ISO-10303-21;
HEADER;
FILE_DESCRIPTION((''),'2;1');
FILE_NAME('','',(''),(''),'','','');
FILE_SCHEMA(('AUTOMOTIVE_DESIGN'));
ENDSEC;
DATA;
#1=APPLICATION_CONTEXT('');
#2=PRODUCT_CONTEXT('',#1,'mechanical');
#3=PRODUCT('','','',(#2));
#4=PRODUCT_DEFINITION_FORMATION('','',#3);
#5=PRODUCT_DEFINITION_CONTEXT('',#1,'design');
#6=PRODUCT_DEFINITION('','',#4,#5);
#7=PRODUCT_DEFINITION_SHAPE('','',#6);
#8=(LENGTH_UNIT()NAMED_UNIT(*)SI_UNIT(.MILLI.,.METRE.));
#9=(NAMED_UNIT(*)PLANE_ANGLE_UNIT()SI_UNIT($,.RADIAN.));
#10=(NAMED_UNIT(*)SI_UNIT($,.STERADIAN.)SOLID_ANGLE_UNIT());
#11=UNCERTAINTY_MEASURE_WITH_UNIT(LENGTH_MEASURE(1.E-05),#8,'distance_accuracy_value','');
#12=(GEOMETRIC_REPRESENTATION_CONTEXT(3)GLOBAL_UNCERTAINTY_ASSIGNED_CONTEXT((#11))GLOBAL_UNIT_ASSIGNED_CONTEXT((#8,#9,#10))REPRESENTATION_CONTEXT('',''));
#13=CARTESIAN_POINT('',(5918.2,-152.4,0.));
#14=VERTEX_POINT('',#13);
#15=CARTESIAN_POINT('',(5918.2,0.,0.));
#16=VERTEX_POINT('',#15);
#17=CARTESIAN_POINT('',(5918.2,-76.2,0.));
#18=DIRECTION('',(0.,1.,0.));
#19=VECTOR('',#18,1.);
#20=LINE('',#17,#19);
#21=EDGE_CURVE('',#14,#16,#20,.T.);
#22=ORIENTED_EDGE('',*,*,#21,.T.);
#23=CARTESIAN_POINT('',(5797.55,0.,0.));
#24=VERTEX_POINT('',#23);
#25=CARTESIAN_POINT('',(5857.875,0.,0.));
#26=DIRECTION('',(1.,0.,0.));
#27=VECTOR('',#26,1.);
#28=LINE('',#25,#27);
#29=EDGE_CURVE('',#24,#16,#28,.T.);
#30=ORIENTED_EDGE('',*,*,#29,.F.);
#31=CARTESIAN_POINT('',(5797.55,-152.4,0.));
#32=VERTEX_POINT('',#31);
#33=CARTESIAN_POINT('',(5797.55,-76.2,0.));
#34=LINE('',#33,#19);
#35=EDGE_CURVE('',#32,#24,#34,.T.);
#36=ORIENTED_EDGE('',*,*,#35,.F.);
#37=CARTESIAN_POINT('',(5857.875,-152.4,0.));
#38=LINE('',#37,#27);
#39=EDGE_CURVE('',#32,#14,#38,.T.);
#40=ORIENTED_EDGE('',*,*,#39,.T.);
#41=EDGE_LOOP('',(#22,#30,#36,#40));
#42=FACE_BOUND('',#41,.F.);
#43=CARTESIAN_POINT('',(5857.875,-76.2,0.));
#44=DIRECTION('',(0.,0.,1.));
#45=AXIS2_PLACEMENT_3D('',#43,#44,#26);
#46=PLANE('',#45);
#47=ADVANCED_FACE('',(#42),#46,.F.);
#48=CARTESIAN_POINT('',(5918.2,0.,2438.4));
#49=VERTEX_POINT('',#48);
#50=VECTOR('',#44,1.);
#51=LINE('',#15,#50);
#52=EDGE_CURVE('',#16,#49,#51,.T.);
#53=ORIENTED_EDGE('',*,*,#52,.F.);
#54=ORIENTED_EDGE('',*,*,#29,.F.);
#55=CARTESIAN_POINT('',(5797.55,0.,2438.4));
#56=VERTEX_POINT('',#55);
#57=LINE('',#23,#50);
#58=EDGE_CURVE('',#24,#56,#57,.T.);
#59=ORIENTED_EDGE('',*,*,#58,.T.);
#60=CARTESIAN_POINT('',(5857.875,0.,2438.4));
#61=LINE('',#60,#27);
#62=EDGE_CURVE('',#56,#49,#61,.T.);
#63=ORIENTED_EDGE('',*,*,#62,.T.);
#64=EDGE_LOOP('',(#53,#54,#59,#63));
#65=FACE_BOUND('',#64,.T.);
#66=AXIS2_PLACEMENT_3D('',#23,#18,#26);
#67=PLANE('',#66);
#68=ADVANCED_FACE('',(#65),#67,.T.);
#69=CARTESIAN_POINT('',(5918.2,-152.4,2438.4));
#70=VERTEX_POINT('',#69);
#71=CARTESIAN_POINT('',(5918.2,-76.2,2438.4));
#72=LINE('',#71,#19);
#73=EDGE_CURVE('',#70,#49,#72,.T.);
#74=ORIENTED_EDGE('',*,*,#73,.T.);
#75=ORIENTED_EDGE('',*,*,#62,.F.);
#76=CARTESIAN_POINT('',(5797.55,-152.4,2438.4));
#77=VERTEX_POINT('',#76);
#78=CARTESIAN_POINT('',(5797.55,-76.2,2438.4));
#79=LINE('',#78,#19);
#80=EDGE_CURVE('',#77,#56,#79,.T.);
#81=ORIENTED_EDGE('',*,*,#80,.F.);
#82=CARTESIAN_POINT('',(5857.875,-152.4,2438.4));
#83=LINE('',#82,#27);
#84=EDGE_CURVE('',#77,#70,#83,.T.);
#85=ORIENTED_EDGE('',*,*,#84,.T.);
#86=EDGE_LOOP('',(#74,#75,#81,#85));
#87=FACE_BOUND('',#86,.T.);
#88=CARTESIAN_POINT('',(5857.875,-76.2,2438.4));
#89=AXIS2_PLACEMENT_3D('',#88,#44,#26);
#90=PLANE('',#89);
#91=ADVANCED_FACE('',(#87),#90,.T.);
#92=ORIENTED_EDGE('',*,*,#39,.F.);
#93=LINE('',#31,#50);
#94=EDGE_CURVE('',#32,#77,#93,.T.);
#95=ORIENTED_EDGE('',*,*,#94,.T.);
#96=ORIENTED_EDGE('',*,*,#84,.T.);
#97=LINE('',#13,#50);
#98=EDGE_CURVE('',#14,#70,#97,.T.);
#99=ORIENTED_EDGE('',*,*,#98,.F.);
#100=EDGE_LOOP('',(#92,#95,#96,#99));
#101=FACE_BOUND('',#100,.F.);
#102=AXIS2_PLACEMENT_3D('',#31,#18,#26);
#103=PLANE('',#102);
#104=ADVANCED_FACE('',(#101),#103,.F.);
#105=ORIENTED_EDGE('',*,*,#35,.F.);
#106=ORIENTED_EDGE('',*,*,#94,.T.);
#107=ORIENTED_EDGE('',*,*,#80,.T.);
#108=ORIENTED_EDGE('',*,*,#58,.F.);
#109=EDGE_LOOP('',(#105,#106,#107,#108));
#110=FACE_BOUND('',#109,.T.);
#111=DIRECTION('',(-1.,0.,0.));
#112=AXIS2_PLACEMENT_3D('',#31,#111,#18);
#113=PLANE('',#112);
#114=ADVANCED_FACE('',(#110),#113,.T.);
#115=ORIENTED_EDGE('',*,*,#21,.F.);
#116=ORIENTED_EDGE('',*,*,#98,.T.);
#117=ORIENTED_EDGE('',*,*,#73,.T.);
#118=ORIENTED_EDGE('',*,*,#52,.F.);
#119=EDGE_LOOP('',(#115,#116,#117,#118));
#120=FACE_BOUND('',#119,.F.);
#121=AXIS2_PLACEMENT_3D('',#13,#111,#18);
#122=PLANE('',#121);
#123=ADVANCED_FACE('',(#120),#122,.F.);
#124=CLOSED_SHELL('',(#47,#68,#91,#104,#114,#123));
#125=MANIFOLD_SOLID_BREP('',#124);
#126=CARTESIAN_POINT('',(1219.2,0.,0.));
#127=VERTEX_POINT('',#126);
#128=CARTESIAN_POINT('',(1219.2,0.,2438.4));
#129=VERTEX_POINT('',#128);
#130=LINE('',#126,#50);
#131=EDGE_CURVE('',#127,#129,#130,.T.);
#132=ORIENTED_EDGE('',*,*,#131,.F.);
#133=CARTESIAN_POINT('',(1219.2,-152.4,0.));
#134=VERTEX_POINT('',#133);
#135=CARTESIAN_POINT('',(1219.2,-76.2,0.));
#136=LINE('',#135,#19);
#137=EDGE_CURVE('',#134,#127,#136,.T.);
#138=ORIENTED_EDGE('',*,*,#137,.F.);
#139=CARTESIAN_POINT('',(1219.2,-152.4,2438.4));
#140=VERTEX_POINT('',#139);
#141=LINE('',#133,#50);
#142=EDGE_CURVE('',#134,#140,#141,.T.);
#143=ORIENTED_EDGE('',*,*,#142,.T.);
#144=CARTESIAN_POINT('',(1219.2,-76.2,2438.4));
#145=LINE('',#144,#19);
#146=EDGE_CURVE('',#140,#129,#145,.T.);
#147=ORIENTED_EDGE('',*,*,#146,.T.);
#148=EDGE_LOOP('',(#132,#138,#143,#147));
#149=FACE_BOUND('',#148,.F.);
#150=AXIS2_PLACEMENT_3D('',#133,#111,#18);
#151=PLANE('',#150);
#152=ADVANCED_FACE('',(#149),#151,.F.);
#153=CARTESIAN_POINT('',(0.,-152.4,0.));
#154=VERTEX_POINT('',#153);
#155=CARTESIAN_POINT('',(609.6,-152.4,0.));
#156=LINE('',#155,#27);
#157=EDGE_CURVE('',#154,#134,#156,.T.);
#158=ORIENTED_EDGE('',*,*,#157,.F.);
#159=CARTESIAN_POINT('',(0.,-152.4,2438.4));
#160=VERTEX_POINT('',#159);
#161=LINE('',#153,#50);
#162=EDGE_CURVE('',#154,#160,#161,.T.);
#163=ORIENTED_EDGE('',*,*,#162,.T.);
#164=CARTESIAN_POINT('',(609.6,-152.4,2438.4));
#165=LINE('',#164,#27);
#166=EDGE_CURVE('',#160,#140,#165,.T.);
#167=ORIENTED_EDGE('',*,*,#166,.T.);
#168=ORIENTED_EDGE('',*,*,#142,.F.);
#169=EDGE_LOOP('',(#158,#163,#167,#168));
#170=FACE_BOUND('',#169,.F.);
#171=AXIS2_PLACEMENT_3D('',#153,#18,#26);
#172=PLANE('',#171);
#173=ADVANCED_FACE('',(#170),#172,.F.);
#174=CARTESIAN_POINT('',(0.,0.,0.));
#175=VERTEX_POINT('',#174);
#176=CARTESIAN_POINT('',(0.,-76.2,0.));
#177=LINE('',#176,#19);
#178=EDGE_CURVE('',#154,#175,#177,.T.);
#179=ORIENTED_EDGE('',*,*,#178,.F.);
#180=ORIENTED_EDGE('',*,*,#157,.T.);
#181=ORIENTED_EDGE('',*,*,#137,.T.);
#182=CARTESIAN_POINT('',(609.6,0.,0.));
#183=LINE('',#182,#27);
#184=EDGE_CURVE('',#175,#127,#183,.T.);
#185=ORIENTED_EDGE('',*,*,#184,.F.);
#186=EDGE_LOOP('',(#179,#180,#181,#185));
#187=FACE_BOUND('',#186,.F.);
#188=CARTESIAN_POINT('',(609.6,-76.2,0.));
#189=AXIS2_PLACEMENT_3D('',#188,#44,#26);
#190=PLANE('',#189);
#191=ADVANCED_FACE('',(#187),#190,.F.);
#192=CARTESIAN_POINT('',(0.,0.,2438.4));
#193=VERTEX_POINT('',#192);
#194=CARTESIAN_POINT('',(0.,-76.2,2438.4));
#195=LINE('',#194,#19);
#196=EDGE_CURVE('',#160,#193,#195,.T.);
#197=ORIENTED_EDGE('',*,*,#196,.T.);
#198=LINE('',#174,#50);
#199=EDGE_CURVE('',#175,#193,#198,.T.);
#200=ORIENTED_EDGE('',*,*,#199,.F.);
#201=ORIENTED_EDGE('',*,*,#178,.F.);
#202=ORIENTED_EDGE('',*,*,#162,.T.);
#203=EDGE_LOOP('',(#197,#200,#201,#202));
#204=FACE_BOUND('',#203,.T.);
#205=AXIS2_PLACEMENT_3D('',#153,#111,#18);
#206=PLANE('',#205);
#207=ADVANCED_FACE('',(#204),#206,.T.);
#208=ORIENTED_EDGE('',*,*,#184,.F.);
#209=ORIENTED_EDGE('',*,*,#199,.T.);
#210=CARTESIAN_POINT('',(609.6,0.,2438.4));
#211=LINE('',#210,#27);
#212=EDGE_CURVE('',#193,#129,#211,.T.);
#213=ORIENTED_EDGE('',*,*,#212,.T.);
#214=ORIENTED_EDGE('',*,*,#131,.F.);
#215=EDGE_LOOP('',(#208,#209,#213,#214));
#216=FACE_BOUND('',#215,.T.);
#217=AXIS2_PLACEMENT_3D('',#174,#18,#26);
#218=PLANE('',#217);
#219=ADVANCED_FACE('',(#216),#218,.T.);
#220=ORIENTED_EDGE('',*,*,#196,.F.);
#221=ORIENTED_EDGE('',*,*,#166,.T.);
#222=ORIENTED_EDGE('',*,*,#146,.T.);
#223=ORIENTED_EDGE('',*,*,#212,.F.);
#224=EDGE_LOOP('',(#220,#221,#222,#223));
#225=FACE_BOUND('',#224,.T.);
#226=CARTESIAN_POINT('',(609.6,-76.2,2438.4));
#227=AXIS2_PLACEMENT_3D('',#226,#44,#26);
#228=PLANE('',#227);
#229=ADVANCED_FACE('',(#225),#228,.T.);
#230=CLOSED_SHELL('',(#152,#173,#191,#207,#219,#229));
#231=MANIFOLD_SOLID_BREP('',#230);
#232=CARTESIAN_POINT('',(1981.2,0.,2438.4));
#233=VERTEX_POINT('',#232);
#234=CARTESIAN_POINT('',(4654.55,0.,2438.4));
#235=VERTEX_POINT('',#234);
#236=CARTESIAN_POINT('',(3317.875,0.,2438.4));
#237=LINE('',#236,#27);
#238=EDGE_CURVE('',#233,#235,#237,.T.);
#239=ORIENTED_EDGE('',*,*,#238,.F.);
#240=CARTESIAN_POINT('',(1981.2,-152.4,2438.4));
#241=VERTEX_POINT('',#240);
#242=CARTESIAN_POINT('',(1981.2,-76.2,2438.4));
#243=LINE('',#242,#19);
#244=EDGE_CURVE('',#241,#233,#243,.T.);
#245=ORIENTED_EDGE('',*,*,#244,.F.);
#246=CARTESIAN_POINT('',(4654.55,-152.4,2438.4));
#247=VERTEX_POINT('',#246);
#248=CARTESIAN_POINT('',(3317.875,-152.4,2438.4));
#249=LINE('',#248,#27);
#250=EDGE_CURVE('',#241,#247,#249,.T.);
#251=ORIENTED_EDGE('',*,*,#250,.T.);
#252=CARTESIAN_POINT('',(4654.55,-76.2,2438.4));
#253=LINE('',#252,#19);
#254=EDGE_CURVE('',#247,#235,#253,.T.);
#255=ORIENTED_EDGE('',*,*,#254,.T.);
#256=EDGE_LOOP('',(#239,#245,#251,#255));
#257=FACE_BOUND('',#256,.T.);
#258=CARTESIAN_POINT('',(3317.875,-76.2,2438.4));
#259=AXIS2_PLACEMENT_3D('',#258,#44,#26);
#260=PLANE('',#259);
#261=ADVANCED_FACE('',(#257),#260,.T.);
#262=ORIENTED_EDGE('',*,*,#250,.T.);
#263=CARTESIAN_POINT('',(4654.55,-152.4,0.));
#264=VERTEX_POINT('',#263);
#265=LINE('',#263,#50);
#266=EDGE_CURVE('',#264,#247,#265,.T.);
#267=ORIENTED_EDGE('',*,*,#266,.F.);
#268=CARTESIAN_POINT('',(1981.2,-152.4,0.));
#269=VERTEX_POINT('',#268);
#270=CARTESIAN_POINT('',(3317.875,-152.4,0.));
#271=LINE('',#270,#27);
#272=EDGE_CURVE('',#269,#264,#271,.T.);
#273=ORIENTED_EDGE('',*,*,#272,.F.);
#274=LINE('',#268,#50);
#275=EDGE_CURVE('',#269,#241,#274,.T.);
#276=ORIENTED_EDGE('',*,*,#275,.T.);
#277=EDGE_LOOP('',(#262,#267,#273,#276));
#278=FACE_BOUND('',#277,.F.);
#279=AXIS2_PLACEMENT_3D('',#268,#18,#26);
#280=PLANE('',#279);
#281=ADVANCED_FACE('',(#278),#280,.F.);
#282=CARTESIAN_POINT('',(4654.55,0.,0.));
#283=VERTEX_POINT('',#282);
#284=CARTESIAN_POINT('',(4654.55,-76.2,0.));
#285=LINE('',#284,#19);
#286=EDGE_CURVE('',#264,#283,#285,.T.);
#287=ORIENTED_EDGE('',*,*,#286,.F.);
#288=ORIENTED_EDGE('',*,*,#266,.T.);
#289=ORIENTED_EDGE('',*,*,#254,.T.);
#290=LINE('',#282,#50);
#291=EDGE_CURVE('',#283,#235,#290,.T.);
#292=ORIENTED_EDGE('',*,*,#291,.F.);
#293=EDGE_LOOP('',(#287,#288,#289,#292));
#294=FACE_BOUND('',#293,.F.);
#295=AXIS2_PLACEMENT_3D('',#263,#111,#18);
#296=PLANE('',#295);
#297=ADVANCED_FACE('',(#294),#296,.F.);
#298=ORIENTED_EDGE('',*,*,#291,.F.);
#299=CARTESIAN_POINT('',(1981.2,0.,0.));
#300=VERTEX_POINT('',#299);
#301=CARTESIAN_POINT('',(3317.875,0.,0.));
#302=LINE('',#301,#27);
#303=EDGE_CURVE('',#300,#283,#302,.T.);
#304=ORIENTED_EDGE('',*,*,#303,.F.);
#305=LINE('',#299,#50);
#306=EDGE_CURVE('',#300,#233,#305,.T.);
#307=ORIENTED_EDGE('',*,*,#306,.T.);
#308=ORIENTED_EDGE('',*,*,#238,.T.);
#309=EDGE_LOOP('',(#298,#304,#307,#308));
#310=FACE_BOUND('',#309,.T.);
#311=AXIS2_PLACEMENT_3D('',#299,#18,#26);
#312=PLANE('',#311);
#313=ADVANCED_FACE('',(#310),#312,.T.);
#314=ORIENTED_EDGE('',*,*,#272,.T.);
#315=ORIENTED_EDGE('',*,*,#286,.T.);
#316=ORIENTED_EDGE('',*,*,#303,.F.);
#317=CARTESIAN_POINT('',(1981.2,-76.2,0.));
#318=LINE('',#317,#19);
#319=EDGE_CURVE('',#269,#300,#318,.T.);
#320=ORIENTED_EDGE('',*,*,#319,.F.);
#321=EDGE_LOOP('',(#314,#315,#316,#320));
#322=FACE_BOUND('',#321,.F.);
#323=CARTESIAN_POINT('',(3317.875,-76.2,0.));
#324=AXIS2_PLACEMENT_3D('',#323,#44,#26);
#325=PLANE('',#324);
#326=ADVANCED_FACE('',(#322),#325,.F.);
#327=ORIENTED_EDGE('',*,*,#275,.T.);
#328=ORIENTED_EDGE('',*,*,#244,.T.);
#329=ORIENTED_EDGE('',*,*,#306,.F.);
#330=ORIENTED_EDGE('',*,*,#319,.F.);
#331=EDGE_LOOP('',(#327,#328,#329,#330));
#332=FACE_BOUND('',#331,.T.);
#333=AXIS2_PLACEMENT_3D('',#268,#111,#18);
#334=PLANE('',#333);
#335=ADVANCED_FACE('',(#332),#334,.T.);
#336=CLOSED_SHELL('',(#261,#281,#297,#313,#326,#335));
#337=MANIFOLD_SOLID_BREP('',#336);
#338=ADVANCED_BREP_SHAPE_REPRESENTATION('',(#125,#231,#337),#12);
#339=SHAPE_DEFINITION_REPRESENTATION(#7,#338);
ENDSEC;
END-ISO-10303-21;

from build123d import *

# Parameters (mm, degrees)
F0_W     = 120.65
F0_H     = 152.4
F0_W_2   = 1219.2
F0_W_3   = 2673.35
F1_DEPTH = 2438.4


with BuildPart() as f1:
    # F0 (on Top) → F1 (new body)
    with BuildSketch(Plane.XY):
        with Locations((5857.875, -76.2)):
            Rectangle(F0_W, F0_H)
        with Locations((609.6, -76.2)):
            Rectangle(F0_W_2, F0_H)
        with Locations((3317.875, -76.2)):
            Rectangle(F0_W_3, F0_H)
    extrude(amount=F1_DEPTH)


solid = f1.part
